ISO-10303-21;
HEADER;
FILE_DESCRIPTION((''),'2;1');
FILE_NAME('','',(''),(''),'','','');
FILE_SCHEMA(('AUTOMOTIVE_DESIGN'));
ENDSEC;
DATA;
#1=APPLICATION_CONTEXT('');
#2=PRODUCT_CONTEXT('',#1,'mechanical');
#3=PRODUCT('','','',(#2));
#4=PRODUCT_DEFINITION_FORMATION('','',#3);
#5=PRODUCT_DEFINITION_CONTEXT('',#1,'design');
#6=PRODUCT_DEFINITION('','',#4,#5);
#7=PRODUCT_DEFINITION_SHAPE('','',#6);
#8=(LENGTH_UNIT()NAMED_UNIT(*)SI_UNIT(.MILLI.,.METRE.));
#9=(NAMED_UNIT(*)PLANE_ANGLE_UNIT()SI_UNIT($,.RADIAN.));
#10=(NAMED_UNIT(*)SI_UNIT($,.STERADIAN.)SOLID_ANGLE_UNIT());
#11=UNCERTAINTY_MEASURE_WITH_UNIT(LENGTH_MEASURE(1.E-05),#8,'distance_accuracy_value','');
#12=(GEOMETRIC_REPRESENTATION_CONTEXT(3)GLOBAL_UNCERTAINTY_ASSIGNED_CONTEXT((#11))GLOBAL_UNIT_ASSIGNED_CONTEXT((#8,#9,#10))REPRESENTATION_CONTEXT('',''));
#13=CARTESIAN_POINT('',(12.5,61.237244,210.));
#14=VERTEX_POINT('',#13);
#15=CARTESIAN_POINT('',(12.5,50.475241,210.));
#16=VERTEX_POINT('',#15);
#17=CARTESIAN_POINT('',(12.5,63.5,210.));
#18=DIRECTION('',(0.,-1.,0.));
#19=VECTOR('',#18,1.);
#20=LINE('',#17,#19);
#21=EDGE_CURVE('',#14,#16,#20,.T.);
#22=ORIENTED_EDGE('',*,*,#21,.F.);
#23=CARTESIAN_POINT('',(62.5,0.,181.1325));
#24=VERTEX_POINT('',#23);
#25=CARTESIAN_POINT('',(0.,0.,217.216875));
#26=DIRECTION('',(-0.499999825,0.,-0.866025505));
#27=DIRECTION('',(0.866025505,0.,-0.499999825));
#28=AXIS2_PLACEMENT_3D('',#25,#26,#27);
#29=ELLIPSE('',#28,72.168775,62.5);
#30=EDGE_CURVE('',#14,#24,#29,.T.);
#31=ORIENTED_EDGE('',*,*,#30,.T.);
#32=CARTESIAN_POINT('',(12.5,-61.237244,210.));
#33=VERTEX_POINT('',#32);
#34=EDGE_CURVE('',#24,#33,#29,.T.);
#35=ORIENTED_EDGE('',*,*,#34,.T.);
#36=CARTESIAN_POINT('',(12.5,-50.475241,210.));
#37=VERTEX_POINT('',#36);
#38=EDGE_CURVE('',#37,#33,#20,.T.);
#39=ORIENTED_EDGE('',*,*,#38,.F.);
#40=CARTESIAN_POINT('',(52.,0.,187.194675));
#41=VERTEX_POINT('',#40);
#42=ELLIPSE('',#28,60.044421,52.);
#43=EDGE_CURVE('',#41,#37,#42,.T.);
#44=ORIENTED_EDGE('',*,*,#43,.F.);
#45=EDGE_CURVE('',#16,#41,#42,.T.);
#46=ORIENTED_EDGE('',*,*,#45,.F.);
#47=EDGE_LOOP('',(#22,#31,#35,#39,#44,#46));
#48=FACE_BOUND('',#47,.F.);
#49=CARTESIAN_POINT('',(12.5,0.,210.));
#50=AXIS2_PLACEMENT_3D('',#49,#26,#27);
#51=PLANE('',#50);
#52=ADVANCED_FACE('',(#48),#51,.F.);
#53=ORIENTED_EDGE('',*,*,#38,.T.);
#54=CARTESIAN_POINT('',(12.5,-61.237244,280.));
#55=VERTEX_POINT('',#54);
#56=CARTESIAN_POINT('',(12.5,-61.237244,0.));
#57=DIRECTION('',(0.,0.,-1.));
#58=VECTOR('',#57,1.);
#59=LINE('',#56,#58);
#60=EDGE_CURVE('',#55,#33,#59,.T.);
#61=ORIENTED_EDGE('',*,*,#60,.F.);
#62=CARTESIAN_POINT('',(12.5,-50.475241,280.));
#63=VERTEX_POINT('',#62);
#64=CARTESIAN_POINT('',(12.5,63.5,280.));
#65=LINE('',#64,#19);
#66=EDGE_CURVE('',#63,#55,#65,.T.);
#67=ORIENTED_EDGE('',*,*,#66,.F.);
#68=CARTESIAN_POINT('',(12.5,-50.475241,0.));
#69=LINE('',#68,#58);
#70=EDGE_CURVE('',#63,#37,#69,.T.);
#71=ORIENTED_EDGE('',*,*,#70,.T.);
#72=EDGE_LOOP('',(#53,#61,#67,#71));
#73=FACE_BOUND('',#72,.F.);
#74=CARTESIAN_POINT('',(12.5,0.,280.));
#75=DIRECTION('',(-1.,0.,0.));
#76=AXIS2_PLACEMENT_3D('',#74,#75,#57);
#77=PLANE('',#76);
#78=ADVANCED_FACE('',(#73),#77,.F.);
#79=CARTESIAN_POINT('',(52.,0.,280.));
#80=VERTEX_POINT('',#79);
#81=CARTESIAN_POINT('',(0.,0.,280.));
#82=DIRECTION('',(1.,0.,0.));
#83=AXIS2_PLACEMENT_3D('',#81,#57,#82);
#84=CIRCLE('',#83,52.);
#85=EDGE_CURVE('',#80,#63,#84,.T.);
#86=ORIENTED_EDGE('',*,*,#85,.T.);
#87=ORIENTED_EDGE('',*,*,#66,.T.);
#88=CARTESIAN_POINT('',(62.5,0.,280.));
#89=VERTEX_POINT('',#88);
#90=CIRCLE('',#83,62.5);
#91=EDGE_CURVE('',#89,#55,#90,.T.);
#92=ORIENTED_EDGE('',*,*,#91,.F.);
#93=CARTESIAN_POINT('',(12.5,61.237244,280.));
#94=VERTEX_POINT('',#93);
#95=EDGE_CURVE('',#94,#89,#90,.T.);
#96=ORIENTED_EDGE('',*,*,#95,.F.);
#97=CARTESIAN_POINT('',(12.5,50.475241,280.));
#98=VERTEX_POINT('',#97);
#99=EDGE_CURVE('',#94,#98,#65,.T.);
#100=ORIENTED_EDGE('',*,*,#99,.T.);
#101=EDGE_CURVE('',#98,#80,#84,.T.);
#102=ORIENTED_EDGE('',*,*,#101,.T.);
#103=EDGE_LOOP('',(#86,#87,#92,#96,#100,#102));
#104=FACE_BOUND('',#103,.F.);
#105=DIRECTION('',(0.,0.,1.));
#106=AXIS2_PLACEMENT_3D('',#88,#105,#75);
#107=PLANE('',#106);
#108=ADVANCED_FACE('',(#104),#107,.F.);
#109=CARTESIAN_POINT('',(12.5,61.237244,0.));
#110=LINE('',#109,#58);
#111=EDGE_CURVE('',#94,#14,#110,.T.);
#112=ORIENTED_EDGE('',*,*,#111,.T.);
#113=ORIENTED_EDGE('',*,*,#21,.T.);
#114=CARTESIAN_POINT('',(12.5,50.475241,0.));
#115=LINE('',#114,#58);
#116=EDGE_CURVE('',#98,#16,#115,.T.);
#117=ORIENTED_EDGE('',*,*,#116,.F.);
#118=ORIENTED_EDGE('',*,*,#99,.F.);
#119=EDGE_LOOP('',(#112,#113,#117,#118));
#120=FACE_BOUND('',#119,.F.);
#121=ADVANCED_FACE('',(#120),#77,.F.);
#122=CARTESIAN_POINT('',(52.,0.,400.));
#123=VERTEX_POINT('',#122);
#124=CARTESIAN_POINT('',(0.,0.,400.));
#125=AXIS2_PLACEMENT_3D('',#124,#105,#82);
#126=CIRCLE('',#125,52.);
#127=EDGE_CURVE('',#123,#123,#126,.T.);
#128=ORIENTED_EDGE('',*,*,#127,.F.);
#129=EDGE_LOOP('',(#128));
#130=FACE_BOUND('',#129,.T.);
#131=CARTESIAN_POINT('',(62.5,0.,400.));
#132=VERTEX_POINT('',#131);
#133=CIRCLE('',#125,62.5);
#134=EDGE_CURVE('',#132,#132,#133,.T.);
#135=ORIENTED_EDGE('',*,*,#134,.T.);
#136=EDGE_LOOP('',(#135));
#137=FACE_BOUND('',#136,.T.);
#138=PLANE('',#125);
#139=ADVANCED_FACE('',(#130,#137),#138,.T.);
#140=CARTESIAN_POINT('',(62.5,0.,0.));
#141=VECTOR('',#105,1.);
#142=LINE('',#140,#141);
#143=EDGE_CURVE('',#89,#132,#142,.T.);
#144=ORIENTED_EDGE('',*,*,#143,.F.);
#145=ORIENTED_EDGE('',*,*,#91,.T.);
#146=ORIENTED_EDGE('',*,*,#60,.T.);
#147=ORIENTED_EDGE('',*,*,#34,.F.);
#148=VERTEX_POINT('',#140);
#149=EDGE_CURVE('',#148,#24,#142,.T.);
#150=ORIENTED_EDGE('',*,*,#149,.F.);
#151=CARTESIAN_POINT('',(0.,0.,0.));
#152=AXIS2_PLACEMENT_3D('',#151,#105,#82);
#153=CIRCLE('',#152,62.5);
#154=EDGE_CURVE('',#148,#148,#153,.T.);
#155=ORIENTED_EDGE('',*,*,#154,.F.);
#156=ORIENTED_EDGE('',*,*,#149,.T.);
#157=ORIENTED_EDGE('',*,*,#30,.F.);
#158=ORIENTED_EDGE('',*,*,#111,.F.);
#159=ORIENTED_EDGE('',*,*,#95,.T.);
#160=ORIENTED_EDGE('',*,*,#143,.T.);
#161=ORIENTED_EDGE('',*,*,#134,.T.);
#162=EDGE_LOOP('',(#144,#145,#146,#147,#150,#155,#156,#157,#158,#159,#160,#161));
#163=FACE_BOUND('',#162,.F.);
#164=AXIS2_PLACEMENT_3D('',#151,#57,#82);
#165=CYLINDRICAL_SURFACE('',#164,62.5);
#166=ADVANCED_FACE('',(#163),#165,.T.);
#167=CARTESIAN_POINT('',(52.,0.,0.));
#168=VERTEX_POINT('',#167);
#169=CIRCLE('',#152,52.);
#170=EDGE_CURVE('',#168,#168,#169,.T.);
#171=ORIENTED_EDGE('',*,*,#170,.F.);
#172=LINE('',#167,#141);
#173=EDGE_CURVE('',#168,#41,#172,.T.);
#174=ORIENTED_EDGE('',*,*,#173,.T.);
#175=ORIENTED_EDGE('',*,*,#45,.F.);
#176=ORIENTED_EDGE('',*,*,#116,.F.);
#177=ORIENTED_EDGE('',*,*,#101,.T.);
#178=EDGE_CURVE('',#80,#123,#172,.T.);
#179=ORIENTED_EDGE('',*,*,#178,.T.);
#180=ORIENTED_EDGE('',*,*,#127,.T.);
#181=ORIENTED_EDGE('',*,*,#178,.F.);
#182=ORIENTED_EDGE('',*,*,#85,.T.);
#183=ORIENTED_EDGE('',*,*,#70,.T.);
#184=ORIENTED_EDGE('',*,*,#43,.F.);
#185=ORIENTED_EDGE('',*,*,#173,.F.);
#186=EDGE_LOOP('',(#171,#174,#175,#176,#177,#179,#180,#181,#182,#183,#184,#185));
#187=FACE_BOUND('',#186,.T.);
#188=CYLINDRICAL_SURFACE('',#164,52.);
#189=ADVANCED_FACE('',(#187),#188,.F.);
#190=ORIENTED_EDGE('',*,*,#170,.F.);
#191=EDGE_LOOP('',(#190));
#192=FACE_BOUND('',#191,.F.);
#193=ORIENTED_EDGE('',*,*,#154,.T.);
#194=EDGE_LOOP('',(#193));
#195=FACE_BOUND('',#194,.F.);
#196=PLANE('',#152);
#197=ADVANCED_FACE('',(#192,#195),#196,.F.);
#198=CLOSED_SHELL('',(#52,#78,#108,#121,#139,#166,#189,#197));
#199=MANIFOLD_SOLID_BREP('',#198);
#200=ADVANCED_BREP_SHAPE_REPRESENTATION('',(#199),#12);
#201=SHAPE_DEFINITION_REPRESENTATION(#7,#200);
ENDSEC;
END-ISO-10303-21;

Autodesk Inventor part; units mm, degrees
ref_plane "YZ Plane" through (0, 0, 0) normal (1, 0, 0) x (0, 1, 0)
ref_plane "XZ Plane" through (0, 0, 0) normal (0, 1, 0) x (-1, 0, 0)
ref_plane "XY Plane" through (0, 0, 0) normal (0, 0, 1) x (1, 0, 0)
sketch "Sketch1" plane through (0, 0, 0) normal (0, 0, 1) x (1, 0, 0)
  circle A0 centre (0, 0) radius 52
  circle A1 centre (0, 0) radius 62.5
  dimension "d0" = 125
  dimension "d1" = 104
extrude "Extrusion1" add sketch "Sketch1" along normal blind 400
sketch "Sketch2" plane through (0, 0, 0) normal (0, 1, 0) x (-1, 0, 0)
  line L0 (62.5, 400) -> (-62.5, 400) projected
  line L1 (62.5, 0) -> (-62.5, 0) projected
  line L2 (-62.5, 280) -> (-12.5, 280)
  line L3 (-12.5, 280) -> (-12.5, 210)
  line L4 (-12.5, 210) -> (-62.5, 181.1325)
  line L5 (-62.5, 0) -> (-62.5, 400) projected
  point P0 (0, 0)
  dimension "d4" = 60
  dimension "d5" = 50
  dimension "d6" = 120
  dimension "d7" = 70
extrude "Extrusion2" cut sketch "Sketch2" along normal through all both and the other way through all
properties part number "NVPH-341 second tube"
